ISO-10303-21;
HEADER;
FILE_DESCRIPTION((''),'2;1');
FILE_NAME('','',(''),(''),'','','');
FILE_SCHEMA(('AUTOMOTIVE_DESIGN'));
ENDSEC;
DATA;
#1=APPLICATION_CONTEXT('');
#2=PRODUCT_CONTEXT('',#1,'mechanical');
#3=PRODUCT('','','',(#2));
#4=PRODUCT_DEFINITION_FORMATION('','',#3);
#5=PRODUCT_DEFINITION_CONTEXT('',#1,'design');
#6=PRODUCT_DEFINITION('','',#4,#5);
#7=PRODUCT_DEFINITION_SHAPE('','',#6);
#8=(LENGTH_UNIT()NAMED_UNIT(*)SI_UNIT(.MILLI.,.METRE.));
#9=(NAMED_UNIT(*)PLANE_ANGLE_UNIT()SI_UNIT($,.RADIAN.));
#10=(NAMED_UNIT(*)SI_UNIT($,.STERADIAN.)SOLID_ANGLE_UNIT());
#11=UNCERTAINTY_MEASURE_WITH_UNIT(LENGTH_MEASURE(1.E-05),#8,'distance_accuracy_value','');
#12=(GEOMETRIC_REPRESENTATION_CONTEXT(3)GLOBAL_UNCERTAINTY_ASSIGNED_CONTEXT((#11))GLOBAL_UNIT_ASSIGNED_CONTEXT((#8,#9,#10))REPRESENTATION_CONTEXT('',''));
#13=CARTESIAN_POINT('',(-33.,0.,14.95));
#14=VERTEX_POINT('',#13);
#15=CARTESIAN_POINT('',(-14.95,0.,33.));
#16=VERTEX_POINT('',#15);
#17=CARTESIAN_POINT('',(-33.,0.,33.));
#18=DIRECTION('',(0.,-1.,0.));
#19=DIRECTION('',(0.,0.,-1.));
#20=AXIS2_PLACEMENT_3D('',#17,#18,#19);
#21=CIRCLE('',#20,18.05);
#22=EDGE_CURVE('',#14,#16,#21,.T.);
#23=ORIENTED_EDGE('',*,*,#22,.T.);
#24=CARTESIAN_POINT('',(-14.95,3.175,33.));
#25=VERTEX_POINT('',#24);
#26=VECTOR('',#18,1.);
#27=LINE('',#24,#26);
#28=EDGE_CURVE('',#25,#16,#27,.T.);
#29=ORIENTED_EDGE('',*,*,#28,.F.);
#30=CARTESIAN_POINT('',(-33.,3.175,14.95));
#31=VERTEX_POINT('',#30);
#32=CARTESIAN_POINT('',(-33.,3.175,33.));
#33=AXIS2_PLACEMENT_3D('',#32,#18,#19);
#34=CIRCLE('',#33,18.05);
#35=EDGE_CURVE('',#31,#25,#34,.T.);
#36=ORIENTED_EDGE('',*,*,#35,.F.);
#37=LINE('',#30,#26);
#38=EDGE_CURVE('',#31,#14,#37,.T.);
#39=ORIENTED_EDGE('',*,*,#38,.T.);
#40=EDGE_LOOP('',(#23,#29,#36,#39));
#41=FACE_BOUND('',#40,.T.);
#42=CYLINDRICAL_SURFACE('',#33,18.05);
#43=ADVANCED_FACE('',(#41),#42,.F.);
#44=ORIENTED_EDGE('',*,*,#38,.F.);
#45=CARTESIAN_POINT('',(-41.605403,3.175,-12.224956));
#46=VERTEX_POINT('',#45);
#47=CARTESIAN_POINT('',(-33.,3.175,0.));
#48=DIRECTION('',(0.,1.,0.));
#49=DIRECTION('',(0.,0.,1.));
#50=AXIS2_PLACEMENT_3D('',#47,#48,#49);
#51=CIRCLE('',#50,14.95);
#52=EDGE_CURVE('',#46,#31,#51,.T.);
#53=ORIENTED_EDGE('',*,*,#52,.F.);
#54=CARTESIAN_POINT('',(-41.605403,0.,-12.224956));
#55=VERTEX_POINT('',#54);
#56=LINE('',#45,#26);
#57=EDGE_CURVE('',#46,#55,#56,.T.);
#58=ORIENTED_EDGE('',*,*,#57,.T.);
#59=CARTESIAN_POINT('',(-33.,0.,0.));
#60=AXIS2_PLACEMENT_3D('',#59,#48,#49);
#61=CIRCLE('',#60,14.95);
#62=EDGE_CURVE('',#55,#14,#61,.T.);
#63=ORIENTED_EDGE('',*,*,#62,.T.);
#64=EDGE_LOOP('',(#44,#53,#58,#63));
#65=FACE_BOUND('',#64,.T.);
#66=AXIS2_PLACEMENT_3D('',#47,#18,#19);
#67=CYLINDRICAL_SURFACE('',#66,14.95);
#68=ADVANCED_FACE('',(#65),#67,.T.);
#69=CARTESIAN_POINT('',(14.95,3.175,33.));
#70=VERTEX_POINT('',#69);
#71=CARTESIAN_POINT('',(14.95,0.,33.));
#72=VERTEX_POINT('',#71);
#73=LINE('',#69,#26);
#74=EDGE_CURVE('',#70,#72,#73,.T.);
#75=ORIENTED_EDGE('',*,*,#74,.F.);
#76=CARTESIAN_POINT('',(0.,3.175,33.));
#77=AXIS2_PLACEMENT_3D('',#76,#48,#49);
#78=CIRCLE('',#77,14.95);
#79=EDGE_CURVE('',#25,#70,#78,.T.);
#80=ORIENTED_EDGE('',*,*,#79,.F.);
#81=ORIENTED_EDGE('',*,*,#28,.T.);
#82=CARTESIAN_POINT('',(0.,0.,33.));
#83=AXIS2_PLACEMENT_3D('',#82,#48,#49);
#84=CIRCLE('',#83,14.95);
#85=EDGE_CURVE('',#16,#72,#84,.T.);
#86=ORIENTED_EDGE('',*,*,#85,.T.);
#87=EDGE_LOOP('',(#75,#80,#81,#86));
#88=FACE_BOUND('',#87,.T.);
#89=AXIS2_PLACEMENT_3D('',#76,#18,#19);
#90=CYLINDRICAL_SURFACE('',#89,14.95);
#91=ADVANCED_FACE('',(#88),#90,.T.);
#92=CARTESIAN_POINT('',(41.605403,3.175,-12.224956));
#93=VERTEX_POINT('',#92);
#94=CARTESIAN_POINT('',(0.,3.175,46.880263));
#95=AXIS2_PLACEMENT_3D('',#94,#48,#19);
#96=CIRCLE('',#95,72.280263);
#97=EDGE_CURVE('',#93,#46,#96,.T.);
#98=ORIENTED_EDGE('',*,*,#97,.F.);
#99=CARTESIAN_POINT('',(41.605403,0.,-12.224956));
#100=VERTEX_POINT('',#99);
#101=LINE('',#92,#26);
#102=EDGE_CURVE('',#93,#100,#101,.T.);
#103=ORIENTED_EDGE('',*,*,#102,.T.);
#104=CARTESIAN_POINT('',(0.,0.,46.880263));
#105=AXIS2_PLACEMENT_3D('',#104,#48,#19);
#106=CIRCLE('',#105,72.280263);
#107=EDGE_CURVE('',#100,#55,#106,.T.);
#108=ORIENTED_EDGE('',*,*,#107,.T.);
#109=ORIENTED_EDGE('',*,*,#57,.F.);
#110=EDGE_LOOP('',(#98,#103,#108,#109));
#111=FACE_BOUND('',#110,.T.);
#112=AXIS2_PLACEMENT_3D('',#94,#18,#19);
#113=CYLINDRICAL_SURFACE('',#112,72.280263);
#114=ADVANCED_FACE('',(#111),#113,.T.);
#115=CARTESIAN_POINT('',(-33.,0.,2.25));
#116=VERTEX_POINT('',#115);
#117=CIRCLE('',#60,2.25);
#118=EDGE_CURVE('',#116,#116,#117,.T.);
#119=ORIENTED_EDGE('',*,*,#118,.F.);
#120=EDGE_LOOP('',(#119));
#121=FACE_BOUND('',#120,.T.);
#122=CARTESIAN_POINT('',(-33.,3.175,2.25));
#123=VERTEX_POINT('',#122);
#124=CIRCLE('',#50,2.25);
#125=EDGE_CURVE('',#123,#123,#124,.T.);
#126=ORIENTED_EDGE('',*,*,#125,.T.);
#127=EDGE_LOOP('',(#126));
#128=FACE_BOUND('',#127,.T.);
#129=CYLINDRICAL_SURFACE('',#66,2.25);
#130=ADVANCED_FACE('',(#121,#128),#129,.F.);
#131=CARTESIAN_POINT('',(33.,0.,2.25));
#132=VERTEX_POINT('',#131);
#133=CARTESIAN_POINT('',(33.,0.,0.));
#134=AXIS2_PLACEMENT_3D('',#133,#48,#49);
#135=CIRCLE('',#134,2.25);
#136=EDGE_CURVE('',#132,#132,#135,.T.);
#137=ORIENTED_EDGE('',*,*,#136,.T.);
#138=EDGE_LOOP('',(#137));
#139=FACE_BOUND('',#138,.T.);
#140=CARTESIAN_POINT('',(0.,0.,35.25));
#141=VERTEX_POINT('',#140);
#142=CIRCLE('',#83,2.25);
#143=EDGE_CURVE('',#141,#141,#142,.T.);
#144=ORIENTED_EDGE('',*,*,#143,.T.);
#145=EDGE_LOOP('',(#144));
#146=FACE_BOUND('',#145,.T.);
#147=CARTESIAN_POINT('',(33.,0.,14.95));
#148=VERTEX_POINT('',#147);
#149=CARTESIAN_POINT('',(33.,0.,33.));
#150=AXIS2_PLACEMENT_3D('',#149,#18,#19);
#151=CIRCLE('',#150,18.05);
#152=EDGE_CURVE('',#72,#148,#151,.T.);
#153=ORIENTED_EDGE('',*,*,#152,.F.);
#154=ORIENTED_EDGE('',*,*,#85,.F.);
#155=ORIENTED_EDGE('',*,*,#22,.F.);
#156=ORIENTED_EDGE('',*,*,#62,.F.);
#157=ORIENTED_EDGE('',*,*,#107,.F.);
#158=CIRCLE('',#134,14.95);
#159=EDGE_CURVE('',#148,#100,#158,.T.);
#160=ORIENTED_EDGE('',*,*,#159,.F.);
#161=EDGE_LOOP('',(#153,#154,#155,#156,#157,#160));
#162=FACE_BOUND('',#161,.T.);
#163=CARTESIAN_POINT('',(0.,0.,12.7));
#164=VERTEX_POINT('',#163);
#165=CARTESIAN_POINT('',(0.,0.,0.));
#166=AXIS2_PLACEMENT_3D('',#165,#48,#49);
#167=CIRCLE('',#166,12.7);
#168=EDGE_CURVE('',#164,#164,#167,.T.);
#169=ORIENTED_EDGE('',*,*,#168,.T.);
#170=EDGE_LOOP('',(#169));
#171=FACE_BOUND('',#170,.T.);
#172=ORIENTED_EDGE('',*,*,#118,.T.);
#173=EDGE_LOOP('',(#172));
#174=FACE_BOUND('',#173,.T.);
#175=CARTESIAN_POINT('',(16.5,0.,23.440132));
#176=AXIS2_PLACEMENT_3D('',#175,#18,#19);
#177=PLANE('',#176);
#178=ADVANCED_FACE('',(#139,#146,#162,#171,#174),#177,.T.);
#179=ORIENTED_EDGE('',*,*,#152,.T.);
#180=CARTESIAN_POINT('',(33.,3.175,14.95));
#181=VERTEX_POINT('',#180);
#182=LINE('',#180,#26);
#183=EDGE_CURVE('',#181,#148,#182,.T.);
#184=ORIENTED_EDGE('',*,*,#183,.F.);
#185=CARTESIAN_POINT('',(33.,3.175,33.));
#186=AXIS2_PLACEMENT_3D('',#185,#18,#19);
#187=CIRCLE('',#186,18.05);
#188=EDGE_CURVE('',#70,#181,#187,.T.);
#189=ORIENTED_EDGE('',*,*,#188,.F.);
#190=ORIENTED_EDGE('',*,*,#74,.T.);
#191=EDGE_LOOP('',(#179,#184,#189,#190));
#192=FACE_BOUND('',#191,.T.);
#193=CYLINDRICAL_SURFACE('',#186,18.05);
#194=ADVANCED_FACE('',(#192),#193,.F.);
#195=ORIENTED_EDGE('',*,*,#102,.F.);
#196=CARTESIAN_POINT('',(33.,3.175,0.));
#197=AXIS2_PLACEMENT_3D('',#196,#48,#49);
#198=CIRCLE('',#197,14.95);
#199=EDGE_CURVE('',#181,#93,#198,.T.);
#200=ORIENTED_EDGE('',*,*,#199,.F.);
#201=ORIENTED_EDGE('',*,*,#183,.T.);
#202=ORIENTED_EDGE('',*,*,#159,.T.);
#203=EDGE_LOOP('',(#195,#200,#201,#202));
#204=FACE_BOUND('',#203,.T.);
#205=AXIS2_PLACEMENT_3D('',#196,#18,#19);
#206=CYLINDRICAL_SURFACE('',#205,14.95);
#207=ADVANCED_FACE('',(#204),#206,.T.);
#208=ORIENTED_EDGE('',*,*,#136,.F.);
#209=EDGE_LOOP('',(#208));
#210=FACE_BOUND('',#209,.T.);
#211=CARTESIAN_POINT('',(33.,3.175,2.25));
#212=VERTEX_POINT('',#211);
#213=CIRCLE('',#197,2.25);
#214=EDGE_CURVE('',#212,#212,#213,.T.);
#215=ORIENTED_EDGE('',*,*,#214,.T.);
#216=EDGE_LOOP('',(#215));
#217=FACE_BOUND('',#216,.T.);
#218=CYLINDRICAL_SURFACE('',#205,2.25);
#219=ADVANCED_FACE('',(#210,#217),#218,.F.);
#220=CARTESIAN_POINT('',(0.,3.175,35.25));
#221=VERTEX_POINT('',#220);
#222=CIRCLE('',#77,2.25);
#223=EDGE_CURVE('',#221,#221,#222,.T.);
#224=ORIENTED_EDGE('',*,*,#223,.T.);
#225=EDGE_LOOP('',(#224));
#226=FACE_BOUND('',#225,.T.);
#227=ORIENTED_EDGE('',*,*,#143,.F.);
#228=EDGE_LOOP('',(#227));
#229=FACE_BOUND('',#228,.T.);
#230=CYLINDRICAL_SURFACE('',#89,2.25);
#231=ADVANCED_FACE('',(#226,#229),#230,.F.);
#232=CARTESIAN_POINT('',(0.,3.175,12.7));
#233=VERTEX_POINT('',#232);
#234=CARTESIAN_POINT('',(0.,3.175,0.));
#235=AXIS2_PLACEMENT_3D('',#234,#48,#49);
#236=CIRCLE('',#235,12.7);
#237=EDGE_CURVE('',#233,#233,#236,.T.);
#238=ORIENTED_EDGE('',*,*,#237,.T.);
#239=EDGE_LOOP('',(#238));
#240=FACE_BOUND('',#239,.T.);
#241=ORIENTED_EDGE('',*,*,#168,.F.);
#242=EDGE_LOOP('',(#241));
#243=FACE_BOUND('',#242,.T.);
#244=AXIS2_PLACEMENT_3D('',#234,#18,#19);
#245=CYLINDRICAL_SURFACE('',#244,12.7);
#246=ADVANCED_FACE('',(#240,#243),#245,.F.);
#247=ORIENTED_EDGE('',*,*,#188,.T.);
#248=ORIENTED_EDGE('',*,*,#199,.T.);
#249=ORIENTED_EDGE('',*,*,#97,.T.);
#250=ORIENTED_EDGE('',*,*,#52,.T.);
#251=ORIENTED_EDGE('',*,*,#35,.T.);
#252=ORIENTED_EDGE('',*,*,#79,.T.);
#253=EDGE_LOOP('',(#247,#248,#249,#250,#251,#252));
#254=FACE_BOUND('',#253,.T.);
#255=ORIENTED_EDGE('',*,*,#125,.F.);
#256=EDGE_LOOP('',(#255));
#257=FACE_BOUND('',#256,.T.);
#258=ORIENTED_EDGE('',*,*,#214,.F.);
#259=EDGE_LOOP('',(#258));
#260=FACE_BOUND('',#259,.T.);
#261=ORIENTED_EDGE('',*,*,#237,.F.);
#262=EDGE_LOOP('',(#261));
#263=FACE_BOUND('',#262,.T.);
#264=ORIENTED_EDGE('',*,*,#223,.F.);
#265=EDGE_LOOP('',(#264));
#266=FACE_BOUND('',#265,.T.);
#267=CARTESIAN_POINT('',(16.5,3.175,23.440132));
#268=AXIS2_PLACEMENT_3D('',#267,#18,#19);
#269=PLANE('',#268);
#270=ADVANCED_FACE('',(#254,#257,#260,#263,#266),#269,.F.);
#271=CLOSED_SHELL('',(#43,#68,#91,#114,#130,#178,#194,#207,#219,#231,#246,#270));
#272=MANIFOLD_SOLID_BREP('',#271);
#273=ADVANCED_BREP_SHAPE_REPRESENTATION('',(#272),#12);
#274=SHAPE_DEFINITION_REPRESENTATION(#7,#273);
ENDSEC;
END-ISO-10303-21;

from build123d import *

# Parameters (mm, degrees)
SKETCH1_R           = 12.7
SKETCH1_R_2         = 2.25
BOSS_EXTRUDE1_DEPTH = 3.175


with BuildPart() as part:
    # Sketch1 → Boss-Extrude1 (new body)
    with BuildSketch(Plane(origin=(0, 0, 0), x_dir=(1, 0, 0), z_dir=(0, 1, 0))):
        with BuildLine():
            ThreePointArc((-41.605402676, 12.224955819), (-47.252466269, -4.513280985), (-33, -14.95))
            ThreePointArc((-33, -14.95), (-20.2367226, -20.2367226), (-14.95, -33))
            ThreePointArc((-14.95, -33), (0, -47.95), (14.95, -33))
            ThreePointArc((14.95, -33), (20.2367226, -20.2367226), (33, -14.95))
            ThreePointArc((33, -14.95), (47.252466269, -4.513280985), (41.605402676, 12.224955819))
            ThreePointArc((41.605402676, 12.224955819), (0, 25.4), (-41.605402676, 12.224955819))
        make_face()
        Circle(SKETCH1_R, mode=Mode.SUBTRACT)
        with Locations((-33, 0)):
            Circle(SKETCH1_R_2, mode=Mode.SUBTRACT)
        with Locations((33, 0)):
            Circle(SKETCH1_R_2, mode=Mode.SUBTRACT)
        with Locations((0, -33)):
            Circle(SKETCH1_R_2, mode=Mode.SUBTRACT)
    extrude(amount=BOSS_EXTRUDE1_DEPTH)


solid = part.part
